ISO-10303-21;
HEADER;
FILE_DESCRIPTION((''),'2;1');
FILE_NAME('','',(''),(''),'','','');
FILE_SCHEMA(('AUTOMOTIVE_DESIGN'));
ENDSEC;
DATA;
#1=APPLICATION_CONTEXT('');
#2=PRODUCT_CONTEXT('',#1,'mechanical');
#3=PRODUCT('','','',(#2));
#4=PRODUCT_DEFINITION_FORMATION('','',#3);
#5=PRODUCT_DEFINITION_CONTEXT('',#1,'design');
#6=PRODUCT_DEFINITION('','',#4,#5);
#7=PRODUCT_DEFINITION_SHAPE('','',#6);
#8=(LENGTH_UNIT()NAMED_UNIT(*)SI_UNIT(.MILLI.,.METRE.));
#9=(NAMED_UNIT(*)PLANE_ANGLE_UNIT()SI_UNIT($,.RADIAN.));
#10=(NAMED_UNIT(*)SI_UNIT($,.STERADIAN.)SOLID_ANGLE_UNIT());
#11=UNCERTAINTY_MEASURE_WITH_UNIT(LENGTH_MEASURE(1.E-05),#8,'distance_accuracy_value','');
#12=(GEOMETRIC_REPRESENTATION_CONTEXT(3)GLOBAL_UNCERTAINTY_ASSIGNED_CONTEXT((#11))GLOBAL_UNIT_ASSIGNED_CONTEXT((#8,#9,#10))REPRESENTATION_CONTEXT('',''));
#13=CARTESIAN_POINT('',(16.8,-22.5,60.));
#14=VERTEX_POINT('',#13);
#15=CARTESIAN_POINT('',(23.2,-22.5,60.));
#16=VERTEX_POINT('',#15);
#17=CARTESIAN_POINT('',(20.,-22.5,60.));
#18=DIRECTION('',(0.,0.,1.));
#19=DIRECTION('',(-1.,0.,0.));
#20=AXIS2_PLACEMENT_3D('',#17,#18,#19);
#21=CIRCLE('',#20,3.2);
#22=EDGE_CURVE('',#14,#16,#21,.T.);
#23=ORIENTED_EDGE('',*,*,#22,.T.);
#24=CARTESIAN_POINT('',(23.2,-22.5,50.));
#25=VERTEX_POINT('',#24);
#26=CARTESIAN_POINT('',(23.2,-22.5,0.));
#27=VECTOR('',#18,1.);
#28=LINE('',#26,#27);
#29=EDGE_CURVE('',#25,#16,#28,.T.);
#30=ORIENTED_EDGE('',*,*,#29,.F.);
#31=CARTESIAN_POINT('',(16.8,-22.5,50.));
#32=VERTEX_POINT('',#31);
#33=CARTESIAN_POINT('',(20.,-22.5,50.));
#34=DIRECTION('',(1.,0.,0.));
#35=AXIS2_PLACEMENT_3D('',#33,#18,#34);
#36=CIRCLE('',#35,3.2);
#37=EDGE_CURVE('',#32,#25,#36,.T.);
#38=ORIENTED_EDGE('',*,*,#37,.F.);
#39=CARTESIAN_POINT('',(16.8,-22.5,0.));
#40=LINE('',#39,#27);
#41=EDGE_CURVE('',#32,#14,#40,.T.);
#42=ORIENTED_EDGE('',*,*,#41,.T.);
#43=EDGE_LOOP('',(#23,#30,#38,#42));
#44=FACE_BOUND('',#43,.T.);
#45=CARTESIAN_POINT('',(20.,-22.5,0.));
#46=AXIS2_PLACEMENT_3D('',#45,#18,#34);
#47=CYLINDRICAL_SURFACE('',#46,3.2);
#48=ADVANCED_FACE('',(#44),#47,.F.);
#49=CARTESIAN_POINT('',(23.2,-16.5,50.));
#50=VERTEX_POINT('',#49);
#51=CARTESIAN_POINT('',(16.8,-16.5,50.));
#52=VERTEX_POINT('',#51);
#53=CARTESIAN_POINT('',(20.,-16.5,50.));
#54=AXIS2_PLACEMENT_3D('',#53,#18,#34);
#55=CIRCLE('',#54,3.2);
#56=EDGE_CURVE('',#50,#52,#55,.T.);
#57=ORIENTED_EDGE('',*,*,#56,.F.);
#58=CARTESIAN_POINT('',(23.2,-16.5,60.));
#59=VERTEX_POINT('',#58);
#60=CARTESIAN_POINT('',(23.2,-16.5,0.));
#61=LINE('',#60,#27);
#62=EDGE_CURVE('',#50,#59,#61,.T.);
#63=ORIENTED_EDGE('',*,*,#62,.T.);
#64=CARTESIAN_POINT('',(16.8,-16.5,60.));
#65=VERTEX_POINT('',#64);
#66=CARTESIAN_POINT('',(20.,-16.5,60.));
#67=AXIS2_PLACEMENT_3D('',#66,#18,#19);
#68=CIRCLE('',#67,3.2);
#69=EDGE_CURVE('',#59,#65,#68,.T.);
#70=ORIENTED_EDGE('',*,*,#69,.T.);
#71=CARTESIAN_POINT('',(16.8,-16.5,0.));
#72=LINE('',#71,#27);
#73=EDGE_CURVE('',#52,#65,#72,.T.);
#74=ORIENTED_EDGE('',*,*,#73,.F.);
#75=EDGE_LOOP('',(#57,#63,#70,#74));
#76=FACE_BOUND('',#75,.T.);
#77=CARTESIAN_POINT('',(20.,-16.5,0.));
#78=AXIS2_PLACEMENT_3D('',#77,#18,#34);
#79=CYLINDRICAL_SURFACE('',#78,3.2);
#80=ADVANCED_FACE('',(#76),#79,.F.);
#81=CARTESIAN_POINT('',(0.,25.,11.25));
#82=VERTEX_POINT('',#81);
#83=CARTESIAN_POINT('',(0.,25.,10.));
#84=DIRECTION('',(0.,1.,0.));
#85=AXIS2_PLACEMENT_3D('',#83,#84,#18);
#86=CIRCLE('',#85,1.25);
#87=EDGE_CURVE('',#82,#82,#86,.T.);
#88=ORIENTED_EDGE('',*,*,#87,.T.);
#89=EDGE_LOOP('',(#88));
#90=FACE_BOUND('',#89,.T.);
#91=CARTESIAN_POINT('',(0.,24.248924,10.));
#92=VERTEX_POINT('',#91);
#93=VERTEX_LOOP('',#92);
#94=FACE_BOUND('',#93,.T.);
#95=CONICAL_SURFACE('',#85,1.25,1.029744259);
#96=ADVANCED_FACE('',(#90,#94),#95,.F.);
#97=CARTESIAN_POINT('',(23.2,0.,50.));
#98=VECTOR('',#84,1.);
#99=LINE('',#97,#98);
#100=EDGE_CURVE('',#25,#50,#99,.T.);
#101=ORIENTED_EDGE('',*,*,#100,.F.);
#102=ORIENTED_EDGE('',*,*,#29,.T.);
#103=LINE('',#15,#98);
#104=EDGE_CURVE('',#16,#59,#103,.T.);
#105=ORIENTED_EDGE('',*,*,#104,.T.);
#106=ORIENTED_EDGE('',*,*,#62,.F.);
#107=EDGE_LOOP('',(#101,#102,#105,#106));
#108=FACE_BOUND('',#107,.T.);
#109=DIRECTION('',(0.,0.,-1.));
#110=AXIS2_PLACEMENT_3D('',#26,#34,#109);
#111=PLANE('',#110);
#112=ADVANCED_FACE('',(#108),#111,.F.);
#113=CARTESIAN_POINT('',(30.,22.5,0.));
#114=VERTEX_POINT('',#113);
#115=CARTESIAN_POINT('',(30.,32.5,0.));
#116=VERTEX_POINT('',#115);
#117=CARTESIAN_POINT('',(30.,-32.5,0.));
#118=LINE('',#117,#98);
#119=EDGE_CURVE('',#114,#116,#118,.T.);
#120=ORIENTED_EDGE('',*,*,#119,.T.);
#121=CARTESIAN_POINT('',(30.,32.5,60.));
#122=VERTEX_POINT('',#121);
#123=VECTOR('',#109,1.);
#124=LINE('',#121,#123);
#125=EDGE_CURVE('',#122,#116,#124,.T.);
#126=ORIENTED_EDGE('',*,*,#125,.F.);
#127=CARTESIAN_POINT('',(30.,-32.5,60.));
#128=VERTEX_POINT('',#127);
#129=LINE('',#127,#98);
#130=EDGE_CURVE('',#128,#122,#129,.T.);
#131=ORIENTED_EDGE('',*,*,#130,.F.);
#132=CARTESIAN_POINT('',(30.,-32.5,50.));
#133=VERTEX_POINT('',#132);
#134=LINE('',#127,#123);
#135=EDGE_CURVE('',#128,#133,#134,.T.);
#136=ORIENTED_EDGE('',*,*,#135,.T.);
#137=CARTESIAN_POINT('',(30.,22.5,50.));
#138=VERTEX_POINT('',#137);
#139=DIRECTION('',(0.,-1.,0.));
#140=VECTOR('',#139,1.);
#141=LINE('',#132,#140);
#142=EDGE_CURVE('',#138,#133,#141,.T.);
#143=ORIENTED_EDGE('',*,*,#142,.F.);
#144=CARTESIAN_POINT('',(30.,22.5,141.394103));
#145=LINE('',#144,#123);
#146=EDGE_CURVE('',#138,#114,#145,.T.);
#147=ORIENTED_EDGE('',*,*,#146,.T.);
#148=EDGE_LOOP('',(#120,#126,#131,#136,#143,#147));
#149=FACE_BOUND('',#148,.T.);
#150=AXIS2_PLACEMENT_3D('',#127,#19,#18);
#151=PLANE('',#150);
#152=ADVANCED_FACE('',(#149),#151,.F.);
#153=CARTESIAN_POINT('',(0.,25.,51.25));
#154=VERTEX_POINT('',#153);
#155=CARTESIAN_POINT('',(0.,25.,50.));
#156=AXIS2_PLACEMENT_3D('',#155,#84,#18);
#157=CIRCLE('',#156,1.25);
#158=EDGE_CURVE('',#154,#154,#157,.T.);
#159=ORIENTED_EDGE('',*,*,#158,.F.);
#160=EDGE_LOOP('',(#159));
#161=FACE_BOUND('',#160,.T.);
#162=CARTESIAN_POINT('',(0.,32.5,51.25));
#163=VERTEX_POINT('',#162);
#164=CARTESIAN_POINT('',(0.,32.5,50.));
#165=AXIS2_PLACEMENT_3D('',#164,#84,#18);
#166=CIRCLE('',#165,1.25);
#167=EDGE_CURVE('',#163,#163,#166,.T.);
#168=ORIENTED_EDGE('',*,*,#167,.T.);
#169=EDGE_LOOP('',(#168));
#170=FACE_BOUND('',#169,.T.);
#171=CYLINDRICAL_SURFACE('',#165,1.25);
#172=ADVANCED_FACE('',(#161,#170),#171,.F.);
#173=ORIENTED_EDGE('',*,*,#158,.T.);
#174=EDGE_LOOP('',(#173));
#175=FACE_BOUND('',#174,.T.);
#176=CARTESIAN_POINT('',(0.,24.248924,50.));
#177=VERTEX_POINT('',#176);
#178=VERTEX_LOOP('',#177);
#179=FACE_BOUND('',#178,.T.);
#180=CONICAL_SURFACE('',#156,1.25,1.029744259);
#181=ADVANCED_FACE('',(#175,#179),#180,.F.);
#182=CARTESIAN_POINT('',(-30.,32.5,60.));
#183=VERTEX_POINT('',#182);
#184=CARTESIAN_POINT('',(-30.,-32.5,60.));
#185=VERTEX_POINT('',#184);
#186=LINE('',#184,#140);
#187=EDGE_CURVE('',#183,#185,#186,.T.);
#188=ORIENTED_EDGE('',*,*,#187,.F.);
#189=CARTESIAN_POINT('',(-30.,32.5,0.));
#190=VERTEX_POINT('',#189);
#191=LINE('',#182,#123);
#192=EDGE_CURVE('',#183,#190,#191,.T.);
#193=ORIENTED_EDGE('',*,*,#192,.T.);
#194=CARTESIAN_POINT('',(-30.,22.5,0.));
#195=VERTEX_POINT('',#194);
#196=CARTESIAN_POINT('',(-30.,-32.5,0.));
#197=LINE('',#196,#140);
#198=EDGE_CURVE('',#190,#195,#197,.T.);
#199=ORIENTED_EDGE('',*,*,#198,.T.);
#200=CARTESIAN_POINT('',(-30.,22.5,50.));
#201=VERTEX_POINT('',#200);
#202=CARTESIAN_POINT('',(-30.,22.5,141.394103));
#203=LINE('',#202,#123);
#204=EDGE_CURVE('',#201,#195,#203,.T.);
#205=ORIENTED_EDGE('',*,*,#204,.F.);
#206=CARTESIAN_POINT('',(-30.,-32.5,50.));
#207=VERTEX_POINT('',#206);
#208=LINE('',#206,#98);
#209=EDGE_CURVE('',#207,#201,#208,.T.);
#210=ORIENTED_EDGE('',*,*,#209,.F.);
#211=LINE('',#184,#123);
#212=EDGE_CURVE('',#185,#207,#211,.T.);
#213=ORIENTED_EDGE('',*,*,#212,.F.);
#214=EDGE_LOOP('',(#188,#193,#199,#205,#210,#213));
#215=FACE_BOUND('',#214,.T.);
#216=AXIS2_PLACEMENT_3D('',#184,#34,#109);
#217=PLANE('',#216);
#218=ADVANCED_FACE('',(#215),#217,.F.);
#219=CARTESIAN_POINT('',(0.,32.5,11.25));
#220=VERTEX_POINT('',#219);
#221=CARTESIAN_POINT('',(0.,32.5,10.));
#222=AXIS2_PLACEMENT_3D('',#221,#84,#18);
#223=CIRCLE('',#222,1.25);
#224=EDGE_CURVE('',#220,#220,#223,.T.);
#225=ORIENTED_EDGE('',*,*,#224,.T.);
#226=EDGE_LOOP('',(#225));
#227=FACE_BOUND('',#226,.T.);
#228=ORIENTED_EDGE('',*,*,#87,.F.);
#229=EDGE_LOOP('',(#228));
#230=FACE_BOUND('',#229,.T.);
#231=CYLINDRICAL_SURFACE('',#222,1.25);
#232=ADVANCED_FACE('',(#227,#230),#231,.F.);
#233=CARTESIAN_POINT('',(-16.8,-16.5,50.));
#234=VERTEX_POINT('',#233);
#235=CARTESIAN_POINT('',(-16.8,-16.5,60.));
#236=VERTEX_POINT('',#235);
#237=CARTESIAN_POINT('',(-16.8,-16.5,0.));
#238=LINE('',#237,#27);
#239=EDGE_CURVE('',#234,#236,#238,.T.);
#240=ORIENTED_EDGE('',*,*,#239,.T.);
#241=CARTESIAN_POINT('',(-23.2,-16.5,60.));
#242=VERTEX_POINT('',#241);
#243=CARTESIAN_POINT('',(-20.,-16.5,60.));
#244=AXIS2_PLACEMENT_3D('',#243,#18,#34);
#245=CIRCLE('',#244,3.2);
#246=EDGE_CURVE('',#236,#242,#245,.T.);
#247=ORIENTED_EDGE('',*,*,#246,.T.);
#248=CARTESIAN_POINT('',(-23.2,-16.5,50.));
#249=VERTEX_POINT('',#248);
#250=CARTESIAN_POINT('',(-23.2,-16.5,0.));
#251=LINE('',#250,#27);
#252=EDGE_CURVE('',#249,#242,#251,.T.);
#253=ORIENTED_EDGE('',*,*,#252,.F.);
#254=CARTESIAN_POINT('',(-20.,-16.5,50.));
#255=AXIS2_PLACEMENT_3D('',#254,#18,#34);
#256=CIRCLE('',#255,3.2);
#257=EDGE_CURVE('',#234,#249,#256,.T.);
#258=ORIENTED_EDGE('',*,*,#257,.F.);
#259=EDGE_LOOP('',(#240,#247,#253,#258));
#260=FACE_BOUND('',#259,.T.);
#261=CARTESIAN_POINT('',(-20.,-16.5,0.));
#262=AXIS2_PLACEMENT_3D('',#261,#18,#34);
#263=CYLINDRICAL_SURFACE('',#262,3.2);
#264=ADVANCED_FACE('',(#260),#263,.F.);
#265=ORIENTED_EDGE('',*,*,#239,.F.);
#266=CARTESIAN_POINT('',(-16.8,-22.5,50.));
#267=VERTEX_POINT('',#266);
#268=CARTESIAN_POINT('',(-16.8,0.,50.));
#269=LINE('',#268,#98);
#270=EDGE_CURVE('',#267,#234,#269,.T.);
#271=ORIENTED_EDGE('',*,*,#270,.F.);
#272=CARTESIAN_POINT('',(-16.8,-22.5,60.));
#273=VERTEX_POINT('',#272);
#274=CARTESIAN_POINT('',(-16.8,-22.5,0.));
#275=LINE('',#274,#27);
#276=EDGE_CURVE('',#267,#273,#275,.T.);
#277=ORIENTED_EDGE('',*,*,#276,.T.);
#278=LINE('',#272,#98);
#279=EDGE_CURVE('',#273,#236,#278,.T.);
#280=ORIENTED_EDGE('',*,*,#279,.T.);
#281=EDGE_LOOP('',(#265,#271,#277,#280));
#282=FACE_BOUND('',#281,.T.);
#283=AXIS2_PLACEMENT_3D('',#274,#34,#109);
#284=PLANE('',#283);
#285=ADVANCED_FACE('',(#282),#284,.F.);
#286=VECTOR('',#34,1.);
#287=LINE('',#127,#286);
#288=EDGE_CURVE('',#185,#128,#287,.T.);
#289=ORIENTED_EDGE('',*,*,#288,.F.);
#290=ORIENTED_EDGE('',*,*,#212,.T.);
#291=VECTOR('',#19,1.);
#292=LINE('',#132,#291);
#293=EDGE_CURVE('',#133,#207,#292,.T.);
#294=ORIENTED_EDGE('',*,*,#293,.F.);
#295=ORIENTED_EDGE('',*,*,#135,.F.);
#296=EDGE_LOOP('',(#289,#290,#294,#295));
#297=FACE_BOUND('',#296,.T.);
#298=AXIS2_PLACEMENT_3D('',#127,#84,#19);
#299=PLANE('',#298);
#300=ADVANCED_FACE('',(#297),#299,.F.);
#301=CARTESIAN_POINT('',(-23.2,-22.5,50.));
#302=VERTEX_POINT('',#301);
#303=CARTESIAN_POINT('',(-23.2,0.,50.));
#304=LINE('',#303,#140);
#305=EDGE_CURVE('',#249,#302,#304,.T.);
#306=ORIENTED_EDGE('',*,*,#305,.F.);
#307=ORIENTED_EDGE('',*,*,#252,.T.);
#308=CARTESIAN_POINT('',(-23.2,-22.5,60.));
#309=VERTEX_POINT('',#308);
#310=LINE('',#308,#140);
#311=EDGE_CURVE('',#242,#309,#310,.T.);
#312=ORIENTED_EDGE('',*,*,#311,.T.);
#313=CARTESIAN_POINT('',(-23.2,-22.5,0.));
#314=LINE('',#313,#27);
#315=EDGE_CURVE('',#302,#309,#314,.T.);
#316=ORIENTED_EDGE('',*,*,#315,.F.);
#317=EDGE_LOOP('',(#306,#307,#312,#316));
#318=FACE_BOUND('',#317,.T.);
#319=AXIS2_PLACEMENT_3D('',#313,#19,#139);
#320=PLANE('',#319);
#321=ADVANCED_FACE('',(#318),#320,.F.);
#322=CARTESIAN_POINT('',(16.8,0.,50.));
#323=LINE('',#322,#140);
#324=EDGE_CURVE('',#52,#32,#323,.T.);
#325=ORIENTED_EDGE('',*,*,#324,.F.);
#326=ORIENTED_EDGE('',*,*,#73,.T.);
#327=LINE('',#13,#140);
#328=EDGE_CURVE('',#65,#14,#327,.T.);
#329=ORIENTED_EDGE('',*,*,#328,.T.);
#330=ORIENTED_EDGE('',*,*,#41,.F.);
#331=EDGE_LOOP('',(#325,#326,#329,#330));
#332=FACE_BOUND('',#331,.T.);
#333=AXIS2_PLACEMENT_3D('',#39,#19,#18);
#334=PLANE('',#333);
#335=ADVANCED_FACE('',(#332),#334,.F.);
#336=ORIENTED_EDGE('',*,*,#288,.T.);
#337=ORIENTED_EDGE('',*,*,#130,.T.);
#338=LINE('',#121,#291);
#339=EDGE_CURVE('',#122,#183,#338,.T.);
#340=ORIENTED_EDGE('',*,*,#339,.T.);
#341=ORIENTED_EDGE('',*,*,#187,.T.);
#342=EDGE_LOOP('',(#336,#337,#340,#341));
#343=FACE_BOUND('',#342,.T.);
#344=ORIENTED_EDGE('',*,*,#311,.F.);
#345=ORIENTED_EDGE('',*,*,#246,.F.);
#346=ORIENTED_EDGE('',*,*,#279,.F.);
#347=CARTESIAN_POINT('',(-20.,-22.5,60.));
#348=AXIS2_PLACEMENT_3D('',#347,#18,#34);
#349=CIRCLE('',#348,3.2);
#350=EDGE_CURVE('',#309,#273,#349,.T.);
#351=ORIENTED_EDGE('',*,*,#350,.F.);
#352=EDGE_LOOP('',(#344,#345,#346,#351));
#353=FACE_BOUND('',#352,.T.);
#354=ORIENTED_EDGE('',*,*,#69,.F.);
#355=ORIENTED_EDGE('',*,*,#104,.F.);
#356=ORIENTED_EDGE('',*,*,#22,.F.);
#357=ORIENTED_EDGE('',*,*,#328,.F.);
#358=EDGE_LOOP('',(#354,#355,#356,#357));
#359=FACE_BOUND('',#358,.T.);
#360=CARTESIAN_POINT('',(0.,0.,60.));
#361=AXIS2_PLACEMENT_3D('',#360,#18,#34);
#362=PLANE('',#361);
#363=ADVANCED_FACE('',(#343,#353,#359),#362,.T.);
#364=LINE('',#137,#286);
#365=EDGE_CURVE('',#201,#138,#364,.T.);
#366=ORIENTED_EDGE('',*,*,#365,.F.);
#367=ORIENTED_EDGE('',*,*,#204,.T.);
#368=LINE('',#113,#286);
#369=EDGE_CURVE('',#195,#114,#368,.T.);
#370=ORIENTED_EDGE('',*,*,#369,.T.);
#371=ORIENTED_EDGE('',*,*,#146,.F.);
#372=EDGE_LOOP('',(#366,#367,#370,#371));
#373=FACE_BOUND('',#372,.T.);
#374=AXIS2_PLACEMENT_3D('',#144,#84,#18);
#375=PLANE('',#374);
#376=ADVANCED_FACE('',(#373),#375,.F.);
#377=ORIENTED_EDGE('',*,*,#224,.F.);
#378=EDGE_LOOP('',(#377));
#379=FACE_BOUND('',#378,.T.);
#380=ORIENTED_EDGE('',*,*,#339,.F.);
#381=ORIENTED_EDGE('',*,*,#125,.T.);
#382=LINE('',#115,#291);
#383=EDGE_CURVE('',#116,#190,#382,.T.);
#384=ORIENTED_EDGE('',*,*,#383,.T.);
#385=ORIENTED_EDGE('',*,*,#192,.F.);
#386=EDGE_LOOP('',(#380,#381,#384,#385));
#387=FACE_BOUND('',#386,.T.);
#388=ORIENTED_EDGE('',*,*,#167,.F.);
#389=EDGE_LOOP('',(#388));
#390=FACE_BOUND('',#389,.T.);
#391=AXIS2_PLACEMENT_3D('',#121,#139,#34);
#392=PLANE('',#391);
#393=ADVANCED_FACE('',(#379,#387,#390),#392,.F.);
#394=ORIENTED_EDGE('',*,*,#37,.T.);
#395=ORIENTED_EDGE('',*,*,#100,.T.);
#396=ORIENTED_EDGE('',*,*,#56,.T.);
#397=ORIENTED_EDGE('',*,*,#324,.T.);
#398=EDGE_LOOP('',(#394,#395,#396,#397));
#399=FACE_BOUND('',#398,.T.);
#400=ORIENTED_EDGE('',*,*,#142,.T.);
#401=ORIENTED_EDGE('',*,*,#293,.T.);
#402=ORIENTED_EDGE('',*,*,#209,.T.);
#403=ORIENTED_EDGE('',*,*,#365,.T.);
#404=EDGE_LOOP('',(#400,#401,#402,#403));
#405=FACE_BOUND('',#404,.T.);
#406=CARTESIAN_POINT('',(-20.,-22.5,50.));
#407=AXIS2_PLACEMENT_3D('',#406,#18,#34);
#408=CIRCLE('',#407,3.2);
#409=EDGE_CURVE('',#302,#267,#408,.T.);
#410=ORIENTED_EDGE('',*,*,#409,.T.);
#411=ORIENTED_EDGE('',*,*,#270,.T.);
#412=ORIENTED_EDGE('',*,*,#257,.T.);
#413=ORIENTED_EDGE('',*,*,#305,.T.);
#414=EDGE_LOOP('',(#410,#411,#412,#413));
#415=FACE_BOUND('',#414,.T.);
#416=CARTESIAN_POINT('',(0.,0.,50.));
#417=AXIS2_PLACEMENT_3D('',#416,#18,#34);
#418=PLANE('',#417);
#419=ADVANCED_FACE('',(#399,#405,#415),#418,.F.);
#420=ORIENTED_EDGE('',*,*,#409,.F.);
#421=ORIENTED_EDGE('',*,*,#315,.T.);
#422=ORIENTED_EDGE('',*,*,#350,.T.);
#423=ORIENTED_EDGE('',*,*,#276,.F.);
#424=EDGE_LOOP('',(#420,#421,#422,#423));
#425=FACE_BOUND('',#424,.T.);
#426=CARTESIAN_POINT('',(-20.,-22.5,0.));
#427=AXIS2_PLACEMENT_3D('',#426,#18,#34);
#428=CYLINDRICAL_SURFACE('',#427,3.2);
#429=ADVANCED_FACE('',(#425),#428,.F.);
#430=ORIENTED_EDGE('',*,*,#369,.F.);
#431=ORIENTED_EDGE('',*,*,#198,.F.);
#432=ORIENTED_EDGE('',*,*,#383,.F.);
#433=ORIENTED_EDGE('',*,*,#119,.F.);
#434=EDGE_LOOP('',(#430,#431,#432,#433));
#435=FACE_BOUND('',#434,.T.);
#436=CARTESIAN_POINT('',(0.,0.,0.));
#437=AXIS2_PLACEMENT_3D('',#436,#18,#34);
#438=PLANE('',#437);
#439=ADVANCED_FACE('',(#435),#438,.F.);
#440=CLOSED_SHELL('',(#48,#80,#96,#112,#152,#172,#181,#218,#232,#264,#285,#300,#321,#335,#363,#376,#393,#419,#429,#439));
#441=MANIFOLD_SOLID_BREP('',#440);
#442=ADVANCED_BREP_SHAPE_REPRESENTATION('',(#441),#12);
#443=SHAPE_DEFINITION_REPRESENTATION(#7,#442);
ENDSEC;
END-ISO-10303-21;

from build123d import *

# Parameters (mm, degrees)
SKETCH_1_W             = 60
SKETCH_1_H             = 65
EXTRUDE_1_DEPTH        = 60
SKETCH_2_W             = 60
SKETCH_2_H             = 55
CUT_EXTRUDE_1_DEPTH    = 50
CUT_EXTRUDE_2_DEPTH    = 61
HOLE_WIZARD_M3_1_D     = 2.5
HOLE_WIZARD_M3_1_DEPTH = 7.5
HOLE_WIZARD_M3_1_TIP   = 0.751075774


with BuildPart() as part:
    # 草图1 → 凸台-拉伸1 (new body)
    with BuildSketch(Plane.XY):
        Rectangle(SKETCH_1_W, SKETCH_1_H)
    extrude(amount=EXTRUDE_1_DEPTH)

    # 草图2 → 切除-拉伸1 (cut)
    with BuildSketch(Plane(origin=(0, 0, 0), x_dir=(-1, 0, 0), z_dir=(0, 0, -1))):
        with Locations((0, -5)):
            Rectangle(SKETCH_2_W, SKETCH_2_H)
    extrude(amount=-CUT_EXTRUDE_1_DEPTH, mode=Mode.SUBTRACT)

    # 草图3 → 切除-拉伸2 (cut, through all)
    with BuildSketch(Plane.XY.offset(60)):
        with BuildLine():
            Line((-23.2, -22.5), (-23.2, -16.5))
            ThreePointArc((-23.2, -16.5), (-20, -13.3), (-16.8, -16.5))
            Line((-16.8, -16.5), (-16.8, -22.5))
            ThreePointArc((-16.8, -22.5), (-20, -25.7), (-23.2, -22.5))
        make_face()
        with BuildLine():
            Line((23.2, -22.5), (23.2, -16.5))
            ThreePointArc((23.2, -16.5), (20, -13.3), (16.8, -16.5))
            Line((16.8, -16.5), (16.8, -22.5))
            ThreePointArc((16.8, -22.5), (20, -25.7), (23.2, -22.5))
        make_face()
    extrude(amount=-CUT_EXTRUDE_2_DEPTH, mode=Mode.SUBTRACT)

    # M3 螺纹孔1
    with Locations(Plane(origin=(0, 32.5, 10), x_dir=(1, 0, 0), z_dir=(0, 1, 0))):
        with Locations((0, 0), (0, -40)):
            Hole(HOLE_WIZARD_M3_1_D / 2, depth=HOLE_WIZARD_M3_1_DEPTH)
            with Locations((0, 0, -(HOLE_WIZARD_M3_1_DEPTH + HOLE_WIZARD_M3_1_TIP / 2))):  # 118° drill point
                Cone(0, HOLE_WIZARD_M3_1_D / 2, HOLE_WIZARD_M3_1_TIP, mode=Mode.SUBTRACT)


solid = part.part
